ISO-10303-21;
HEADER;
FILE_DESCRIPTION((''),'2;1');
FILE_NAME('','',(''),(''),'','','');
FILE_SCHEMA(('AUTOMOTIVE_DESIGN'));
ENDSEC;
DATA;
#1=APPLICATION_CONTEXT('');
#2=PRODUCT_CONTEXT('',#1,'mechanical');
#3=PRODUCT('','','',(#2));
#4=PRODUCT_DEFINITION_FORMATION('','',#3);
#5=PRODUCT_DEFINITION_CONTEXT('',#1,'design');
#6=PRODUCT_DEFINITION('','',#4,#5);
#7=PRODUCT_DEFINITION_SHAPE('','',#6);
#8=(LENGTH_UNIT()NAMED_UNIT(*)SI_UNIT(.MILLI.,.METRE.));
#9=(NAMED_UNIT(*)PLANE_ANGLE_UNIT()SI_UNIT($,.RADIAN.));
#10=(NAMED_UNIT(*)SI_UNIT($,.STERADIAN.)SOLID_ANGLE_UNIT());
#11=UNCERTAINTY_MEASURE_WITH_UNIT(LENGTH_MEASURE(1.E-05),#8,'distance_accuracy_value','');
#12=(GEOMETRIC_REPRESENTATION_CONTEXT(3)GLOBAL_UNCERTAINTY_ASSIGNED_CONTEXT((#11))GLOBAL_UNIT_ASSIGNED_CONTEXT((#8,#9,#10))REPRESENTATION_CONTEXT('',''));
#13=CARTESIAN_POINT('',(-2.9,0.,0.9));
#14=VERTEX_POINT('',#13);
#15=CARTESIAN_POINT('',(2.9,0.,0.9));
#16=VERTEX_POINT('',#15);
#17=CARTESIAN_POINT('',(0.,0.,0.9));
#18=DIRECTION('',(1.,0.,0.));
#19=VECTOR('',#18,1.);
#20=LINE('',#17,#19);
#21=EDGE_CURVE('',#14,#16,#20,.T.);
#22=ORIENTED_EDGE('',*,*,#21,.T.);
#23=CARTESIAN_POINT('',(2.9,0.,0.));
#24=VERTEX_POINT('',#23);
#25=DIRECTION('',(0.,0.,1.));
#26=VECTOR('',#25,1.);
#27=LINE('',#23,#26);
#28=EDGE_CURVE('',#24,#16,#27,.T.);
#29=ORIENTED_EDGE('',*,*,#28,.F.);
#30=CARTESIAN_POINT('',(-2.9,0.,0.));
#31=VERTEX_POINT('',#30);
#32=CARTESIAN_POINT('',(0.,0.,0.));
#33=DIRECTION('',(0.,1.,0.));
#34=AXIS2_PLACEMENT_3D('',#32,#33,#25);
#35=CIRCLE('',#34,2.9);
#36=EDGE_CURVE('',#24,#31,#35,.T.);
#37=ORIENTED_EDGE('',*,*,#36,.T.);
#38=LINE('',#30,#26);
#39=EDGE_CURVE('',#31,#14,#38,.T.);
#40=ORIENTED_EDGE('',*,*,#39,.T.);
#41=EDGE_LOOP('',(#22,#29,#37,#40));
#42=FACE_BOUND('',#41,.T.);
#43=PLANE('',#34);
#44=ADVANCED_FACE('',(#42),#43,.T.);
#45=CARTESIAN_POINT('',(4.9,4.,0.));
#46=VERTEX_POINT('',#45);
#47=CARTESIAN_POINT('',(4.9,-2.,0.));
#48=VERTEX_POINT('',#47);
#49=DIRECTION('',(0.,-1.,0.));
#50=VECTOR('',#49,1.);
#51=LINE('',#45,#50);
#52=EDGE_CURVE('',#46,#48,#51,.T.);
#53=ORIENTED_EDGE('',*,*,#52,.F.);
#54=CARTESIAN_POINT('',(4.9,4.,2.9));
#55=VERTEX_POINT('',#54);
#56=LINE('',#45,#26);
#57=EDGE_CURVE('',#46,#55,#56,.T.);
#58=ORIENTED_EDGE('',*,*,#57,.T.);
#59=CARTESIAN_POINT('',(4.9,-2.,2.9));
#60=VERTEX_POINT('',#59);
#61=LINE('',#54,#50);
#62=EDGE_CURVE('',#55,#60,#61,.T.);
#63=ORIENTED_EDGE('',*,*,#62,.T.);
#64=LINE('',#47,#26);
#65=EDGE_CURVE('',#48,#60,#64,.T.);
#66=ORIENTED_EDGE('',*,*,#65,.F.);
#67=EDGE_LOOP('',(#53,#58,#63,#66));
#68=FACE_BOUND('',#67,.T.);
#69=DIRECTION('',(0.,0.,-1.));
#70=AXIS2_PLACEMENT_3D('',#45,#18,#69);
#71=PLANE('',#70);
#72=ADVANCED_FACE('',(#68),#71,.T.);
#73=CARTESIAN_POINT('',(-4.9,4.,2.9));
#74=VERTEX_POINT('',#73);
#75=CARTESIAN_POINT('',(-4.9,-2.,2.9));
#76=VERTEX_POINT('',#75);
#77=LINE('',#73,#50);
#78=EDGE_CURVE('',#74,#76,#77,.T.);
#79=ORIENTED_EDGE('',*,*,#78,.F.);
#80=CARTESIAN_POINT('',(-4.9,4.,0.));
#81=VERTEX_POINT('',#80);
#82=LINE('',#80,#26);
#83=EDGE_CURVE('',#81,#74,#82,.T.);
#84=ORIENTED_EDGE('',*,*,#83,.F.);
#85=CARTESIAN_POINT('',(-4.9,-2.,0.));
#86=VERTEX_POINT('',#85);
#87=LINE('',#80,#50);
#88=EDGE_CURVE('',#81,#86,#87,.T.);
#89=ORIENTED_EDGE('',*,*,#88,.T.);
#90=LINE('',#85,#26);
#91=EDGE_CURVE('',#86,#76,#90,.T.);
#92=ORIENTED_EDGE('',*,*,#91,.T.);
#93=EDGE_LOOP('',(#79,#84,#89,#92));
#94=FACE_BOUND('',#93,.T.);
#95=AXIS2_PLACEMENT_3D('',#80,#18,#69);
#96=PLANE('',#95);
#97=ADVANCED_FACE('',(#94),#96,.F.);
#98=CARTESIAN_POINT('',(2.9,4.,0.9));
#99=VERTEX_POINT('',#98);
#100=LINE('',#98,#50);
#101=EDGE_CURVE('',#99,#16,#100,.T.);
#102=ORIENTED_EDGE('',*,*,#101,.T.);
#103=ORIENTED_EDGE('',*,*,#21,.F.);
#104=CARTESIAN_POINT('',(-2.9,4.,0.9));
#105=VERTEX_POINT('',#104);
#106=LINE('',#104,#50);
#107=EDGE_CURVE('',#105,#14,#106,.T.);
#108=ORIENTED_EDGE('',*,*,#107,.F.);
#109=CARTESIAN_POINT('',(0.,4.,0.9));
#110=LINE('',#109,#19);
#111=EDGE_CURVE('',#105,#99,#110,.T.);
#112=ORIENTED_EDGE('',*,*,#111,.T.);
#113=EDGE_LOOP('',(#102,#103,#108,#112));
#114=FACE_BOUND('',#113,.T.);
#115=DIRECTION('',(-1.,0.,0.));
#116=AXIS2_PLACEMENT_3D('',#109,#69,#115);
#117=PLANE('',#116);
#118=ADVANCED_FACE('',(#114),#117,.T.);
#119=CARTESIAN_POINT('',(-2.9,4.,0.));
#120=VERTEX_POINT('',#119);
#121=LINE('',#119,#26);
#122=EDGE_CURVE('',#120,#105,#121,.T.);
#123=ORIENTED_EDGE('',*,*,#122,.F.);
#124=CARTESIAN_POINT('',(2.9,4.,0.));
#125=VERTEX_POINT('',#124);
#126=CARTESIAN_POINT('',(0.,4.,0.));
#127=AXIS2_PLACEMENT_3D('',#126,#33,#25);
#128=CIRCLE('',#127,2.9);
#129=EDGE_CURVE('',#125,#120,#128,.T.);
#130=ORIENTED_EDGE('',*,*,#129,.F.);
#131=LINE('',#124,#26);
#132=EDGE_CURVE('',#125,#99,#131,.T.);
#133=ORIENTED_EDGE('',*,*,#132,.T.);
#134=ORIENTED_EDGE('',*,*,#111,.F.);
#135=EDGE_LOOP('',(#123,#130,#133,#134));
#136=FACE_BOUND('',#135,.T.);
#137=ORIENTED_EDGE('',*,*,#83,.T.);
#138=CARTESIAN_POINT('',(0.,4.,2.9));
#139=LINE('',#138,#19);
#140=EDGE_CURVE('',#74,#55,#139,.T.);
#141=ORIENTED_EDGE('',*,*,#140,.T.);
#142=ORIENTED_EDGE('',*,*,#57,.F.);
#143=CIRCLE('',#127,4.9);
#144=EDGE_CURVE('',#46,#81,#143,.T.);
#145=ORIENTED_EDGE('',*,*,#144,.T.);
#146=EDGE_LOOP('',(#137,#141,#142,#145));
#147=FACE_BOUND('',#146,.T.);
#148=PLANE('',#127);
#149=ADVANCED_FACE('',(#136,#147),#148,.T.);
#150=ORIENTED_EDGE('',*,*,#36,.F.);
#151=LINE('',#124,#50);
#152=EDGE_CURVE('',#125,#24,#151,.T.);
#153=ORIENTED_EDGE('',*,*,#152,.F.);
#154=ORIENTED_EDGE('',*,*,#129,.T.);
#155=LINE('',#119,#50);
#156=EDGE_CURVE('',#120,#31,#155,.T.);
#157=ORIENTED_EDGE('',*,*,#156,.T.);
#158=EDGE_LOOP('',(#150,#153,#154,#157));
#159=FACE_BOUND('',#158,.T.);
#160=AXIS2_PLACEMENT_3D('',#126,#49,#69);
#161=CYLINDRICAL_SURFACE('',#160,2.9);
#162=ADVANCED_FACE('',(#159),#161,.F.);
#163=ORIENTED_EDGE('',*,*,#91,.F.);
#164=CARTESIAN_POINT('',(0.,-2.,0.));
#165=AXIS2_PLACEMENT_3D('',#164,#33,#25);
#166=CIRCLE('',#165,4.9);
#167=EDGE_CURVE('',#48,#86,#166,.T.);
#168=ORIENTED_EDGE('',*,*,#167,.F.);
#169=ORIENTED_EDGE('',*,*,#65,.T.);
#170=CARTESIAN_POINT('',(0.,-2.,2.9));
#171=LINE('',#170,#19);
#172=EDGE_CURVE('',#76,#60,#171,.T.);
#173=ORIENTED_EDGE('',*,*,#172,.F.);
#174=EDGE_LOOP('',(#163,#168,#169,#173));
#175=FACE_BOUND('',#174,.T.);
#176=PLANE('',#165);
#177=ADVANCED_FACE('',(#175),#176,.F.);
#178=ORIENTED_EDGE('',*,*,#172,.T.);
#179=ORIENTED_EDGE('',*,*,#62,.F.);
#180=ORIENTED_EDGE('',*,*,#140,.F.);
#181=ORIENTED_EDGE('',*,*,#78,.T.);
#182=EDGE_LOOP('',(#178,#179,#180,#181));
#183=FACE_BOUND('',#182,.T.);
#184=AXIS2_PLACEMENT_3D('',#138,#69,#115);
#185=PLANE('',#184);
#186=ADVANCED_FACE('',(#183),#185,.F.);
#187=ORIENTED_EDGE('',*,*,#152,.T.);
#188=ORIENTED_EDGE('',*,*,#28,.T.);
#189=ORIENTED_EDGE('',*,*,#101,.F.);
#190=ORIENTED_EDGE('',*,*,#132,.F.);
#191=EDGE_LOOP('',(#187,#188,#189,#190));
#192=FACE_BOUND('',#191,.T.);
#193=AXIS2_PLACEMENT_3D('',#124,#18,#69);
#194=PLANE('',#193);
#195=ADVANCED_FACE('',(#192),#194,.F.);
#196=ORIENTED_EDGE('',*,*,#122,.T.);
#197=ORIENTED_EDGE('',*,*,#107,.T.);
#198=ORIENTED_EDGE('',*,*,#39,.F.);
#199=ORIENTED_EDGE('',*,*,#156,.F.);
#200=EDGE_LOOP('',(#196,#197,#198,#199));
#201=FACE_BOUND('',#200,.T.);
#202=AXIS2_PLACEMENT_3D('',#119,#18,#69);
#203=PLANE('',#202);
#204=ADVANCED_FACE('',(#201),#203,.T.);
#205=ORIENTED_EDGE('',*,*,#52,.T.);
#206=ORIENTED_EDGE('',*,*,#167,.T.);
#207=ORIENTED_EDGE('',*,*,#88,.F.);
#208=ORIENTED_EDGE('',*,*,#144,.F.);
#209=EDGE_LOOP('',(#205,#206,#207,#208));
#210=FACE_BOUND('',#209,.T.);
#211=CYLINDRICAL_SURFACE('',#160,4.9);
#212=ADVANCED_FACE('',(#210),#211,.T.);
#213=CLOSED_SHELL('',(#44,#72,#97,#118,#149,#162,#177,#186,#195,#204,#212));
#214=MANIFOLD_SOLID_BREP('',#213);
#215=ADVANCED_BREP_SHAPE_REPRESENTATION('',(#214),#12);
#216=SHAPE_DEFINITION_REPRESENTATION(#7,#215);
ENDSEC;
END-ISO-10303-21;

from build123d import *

# Parameters (mm, degrees)
BOSS_EXTRUDE1_DEPTH = 4
BOSS_EXTRUDE2_START = -2
BOSS_EXTRUDE2_DEPTH = 2


with BuildPart() as part:
    # Sketch1 → Boss-Extrude1 (new body)
    with BuildSketch(Plane(origin=(0, 0, 0), x_dir=(1, 0, 0), z_dir=(0, 1, 0))):
        with BuildLine():
            Line((4.9, -2.9), (4.9, 0))
            ThreePointArc((4.9, 0), (0, 4.9), (-4.9, 0))
            Line((-4.9, 0), (-4.9, -2.9))
            Line((-4.9, -2.9), (4.9, -2.9))
        make_face()
        with BuildLine():
            Line((-2.9, -0.9), (-2.9, 0))
            ThreePointArc((-2.9, 0), (0, 2.9), (2.9, 0))
            Line((2.9, 0), (2.9, -0.9))
            Line((2.9, -0.9), (-2.9, -0.9))
        make_face(mode=Mode.SUBTRACT)
    extrude(amount=BOSS_EXTRUDE1_DEPTH)

    # Sketch1<3> → Boss-Extrude2 (add)
    with BuildSketch(Plane(origin=(0, 0, 0), x_dir=(1, 0, 0), z_dir=(0, 1, 0)).offset(BOSS_EXTRUDE2_START)):
        with BuildLine():
            ThreePointArc((4.9, 0), (0, 4.9), (-4.9, 0))
            Line((-4.9, 0), (-4.9, -2.9))
            Line((-4.9, -2.9), (4.9, -2.9))
            Line((4.9, -2.9), (4.9, 0))
        make_face()
    extrude(amount=BOSS_EXTRUDE2_DEPTH)


solid = part.part
